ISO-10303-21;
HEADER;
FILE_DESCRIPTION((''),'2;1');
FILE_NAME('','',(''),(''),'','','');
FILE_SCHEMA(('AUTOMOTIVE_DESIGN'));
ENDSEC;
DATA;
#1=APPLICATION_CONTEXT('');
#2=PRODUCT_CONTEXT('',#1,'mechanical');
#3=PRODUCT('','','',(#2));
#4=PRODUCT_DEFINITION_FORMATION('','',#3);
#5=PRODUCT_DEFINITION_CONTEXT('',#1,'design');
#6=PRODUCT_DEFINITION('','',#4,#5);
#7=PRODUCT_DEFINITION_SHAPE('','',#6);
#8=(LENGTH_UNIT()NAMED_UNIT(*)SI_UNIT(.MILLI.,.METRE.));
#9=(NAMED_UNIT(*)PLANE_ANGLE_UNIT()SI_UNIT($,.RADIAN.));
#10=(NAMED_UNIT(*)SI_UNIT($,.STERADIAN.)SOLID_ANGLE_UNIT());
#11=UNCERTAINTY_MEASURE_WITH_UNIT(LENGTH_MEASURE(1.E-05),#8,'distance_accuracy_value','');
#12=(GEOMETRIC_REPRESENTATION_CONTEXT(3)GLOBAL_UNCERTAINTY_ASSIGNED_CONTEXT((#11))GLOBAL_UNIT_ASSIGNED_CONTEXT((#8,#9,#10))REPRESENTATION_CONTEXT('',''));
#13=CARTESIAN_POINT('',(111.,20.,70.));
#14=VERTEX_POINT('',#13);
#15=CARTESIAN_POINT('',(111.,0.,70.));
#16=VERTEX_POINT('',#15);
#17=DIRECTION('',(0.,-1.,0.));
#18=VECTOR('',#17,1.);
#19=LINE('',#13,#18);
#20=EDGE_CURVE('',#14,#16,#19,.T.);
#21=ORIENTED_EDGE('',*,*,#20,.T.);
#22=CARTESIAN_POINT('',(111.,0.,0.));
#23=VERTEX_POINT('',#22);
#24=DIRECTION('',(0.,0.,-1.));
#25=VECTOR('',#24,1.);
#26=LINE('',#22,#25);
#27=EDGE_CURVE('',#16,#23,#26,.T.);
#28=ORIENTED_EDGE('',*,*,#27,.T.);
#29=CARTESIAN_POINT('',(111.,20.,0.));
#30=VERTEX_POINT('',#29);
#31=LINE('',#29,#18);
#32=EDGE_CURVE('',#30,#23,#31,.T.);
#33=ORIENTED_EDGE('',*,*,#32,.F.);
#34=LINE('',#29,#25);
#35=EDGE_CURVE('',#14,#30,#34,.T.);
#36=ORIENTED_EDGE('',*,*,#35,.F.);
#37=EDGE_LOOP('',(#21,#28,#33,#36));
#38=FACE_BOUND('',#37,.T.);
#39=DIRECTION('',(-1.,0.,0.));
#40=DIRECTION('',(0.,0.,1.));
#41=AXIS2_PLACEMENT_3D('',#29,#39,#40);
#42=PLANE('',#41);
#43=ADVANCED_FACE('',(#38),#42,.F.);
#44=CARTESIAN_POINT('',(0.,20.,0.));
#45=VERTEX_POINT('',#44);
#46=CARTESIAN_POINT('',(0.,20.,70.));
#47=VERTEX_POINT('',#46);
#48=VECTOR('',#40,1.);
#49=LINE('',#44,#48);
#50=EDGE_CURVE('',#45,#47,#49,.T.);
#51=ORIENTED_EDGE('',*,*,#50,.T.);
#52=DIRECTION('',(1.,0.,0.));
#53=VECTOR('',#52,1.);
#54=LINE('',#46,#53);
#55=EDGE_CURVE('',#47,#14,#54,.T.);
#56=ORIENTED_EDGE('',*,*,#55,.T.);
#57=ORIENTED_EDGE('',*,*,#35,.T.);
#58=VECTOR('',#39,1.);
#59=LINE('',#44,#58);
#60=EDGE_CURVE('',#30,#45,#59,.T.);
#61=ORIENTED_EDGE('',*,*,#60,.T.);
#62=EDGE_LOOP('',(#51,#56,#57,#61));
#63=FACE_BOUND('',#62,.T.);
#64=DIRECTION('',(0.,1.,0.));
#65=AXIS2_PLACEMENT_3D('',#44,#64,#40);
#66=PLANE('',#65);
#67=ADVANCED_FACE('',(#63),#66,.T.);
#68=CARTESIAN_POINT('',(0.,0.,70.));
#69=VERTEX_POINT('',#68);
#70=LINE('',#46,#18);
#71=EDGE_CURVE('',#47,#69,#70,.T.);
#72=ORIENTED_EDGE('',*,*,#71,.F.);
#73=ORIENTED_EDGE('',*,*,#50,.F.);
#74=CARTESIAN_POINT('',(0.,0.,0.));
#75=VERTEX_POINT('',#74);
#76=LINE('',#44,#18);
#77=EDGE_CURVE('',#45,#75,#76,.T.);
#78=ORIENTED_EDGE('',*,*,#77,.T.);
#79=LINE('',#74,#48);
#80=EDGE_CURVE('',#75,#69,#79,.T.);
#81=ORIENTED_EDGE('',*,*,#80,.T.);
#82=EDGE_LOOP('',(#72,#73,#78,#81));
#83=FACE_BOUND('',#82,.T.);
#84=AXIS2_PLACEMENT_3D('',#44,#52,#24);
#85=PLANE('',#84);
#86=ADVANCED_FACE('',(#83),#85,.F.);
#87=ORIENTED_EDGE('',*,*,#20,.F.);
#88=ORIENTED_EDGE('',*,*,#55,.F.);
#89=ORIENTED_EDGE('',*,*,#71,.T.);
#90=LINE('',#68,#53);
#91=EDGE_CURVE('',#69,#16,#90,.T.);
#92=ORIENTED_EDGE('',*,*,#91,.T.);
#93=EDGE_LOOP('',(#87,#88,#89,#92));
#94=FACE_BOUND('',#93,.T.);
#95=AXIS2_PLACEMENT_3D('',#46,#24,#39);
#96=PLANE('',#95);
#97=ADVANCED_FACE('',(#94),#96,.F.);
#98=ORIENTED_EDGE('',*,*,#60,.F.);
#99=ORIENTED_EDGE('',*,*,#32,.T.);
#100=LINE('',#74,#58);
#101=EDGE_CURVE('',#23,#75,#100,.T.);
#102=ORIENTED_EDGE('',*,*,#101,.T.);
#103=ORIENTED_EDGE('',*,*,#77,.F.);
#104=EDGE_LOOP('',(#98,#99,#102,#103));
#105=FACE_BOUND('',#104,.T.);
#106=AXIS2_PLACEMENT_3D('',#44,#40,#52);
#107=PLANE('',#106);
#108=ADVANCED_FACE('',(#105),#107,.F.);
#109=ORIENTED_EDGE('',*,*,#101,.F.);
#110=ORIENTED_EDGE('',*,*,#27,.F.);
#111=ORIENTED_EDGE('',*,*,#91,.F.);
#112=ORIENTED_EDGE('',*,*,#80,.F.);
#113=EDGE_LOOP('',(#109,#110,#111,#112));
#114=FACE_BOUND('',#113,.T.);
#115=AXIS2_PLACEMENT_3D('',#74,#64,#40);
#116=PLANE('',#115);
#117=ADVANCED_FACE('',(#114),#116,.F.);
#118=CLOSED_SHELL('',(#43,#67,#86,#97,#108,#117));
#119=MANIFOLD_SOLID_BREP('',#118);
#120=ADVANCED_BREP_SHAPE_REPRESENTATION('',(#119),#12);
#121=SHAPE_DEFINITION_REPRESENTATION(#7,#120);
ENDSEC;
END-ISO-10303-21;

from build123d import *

# Parameters (mm, degrees)
SKETCH_1_W      = 111
SKETCH_1_H      = 70
EXTRUDE_1_DEPTH = 20


with BuildPart() as part:
    # 草图1 → 凸台-拉伸1 (new body)
    with BuildSketch(Plane(origin=(0, 0, 0), x_dir=(1, 0, 0), z_dir=(0, 1, 0))):
        with Locations((55.5, -35)):
            Rectangle(SKETCH_1_W, SKETCH_1_H)
    extrude(amount=EXTRUDE_1_DEPTH)


solid = part.part
